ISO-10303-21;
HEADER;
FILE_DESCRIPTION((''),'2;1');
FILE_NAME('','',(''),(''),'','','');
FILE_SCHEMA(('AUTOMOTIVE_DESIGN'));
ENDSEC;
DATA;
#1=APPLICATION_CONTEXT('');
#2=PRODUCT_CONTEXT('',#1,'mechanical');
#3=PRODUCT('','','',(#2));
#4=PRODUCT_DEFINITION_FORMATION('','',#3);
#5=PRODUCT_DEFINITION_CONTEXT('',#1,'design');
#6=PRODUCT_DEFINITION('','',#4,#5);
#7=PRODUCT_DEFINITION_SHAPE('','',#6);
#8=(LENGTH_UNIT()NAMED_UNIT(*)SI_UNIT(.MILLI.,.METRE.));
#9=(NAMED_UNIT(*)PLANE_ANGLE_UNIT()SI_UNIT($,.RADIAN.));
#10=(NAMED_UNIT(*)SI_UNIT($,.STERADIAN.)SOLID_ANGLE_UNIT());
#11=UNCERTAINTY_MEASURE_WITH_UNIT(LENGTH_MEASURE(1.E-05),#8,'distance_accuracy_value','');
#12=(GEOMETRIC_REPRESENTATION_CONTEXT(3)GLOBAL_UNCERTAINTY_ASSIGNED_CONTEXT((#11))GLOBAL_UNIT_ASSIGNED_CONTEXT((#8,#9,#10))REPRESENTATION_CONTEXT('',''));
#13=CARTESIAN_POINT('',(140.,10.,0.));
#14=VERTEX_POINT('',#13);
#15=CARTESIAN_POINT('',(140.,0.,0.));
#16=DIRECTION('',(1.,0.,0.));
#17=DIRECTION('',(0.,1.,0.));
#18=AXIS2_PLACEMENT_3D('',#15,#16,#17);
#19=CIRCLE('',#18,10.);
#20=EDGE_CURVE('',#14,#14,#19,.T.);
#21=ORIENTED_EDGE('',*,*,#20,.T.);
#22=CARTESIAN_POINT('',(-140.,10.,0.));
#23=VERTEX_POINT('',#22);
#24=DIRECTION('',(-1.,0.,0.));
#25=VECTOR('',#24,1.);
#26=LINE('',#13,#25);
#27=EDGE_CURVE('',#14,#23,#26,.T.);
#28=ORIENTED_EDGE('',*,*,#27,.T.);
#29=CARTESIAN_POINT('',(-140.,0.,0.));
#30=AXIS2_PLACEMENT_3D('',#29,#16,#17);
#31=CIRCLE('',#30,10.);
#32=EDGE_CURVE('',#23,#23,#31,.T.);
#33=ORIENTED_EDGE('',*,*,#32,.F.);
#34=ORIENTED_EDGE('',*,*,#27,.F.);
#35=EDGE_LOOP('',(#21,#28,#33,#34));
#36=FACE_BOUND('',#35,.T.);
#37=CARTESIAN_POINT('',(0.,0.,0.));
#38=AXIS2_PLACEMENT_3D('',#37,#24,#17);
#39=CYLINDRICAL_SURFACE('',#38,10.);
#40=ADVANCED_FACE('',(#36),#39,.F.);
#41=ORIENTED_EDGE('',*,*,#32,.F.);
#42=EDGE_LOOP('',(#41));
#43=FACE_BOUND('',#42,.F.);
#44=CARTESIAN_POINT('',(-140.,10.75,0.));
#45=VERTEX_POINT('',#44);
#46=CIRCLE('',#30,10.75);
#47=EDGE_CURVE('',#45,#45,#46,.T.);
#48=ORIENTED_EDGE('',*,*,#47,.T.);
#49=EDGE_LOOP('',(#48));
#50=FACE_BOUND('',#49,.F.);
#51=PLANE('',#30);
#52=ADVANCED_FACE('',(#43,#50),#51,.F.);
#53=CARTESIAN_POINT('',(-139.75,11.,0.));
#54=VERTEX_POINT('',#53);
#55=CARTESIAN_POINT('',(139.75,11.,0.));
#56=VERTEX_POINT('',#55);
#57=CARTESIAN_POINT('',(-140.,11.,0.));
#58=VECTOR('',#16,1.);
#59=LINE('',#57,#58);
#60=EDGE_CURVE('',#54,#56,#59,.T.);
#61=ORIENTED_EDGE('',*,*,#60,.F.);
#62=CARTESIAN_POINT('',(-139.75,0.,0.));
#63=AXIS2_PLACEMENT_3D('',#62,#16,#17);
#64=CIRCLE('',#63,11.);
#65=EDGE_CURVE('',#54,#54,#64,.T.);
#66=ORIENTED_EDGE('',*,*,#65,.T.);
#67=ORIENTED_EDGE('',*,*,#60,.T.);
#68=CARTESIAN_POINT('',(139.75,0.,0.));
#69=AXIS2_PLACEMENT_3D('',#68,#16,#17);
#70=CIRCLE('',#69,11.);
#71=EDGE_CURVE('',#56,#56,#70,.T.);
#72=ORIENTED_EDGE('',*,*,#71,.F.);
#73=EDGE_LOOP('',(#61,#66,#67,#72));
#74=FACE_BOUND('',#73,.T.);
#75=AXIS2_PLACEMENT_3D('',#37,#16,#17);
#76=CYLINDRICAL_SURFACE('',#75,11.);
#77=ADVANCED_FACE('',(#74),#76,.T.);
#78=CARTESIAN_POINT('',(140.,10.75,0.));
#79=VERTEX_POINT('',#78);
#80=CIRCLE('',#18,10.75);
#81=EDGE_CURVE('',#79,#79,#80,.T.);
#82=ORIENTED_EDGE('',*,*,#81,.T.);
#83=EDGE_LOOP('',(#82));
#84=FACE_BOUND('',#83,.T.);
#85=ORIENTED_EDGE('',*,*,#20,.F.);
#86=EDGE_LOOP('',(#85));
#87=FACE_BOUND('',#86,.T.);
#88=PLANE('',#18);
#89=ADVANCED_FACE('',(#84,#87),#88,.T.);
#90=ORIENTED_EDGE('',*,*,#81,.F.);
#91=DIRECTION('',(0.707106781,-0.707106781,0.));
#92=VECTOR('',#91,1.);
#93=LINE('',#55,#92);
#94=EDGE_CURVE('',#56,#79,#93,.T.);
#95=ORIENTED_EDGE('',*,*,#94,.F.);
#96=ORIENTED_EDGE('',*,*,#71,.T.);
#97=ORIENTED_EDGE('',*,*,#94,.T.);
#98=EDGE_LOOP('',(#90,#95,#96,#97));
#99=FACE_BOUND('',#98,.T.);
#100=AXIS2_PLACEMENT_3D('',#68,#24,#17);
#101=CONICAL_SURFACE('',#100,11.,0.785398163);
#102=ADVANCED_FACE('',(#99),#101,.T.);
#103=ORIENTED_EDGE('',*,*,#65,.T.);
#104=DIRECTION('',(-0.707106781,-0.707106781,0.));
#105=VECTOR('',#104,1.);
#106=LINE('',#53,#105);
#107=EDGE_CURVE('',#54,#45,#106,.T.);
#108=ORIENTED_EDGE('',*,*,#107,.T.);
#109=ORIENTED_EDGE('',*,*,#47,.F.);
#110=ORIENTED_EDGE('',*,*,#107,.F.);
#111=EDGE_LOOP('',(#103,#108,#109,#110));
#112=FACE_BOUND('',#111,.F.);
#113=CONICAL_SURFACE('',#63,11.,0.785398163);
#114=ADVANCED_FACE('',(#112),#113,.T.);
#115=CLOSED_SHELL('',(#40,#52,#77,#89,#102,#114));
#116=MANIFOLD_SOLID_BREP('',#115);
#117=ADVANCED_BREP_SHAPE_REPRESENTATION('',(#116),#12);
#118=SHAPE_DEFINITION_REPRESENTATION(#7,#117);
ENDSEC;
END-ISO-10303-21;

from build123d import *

# Parameters (mm, degrees)
F0_R     = 11
F0_R_2   = 10
F1_DEPTH = 140
F2_SIZE  = 0.25


with BuildPart() as f1:
    # F0 (on Right) → F1 (new body, symmetric)
    with BuildSketch(Plane.YZ):
        Circle(F0_R)
        Circle(F0_R_2, mode=Mode.SUBTRACT)
    extrude(amount=F1_DEPTH, both=True)

    # F2
    f2_edges = [f1.edges().sort_by_distance(p)[0] for p in [
        (-140, -11, 0),
        (140, -11, 0),
    ]]
    chamfer(f2_edges, length=F2_SIZE)


solid = f1.part
